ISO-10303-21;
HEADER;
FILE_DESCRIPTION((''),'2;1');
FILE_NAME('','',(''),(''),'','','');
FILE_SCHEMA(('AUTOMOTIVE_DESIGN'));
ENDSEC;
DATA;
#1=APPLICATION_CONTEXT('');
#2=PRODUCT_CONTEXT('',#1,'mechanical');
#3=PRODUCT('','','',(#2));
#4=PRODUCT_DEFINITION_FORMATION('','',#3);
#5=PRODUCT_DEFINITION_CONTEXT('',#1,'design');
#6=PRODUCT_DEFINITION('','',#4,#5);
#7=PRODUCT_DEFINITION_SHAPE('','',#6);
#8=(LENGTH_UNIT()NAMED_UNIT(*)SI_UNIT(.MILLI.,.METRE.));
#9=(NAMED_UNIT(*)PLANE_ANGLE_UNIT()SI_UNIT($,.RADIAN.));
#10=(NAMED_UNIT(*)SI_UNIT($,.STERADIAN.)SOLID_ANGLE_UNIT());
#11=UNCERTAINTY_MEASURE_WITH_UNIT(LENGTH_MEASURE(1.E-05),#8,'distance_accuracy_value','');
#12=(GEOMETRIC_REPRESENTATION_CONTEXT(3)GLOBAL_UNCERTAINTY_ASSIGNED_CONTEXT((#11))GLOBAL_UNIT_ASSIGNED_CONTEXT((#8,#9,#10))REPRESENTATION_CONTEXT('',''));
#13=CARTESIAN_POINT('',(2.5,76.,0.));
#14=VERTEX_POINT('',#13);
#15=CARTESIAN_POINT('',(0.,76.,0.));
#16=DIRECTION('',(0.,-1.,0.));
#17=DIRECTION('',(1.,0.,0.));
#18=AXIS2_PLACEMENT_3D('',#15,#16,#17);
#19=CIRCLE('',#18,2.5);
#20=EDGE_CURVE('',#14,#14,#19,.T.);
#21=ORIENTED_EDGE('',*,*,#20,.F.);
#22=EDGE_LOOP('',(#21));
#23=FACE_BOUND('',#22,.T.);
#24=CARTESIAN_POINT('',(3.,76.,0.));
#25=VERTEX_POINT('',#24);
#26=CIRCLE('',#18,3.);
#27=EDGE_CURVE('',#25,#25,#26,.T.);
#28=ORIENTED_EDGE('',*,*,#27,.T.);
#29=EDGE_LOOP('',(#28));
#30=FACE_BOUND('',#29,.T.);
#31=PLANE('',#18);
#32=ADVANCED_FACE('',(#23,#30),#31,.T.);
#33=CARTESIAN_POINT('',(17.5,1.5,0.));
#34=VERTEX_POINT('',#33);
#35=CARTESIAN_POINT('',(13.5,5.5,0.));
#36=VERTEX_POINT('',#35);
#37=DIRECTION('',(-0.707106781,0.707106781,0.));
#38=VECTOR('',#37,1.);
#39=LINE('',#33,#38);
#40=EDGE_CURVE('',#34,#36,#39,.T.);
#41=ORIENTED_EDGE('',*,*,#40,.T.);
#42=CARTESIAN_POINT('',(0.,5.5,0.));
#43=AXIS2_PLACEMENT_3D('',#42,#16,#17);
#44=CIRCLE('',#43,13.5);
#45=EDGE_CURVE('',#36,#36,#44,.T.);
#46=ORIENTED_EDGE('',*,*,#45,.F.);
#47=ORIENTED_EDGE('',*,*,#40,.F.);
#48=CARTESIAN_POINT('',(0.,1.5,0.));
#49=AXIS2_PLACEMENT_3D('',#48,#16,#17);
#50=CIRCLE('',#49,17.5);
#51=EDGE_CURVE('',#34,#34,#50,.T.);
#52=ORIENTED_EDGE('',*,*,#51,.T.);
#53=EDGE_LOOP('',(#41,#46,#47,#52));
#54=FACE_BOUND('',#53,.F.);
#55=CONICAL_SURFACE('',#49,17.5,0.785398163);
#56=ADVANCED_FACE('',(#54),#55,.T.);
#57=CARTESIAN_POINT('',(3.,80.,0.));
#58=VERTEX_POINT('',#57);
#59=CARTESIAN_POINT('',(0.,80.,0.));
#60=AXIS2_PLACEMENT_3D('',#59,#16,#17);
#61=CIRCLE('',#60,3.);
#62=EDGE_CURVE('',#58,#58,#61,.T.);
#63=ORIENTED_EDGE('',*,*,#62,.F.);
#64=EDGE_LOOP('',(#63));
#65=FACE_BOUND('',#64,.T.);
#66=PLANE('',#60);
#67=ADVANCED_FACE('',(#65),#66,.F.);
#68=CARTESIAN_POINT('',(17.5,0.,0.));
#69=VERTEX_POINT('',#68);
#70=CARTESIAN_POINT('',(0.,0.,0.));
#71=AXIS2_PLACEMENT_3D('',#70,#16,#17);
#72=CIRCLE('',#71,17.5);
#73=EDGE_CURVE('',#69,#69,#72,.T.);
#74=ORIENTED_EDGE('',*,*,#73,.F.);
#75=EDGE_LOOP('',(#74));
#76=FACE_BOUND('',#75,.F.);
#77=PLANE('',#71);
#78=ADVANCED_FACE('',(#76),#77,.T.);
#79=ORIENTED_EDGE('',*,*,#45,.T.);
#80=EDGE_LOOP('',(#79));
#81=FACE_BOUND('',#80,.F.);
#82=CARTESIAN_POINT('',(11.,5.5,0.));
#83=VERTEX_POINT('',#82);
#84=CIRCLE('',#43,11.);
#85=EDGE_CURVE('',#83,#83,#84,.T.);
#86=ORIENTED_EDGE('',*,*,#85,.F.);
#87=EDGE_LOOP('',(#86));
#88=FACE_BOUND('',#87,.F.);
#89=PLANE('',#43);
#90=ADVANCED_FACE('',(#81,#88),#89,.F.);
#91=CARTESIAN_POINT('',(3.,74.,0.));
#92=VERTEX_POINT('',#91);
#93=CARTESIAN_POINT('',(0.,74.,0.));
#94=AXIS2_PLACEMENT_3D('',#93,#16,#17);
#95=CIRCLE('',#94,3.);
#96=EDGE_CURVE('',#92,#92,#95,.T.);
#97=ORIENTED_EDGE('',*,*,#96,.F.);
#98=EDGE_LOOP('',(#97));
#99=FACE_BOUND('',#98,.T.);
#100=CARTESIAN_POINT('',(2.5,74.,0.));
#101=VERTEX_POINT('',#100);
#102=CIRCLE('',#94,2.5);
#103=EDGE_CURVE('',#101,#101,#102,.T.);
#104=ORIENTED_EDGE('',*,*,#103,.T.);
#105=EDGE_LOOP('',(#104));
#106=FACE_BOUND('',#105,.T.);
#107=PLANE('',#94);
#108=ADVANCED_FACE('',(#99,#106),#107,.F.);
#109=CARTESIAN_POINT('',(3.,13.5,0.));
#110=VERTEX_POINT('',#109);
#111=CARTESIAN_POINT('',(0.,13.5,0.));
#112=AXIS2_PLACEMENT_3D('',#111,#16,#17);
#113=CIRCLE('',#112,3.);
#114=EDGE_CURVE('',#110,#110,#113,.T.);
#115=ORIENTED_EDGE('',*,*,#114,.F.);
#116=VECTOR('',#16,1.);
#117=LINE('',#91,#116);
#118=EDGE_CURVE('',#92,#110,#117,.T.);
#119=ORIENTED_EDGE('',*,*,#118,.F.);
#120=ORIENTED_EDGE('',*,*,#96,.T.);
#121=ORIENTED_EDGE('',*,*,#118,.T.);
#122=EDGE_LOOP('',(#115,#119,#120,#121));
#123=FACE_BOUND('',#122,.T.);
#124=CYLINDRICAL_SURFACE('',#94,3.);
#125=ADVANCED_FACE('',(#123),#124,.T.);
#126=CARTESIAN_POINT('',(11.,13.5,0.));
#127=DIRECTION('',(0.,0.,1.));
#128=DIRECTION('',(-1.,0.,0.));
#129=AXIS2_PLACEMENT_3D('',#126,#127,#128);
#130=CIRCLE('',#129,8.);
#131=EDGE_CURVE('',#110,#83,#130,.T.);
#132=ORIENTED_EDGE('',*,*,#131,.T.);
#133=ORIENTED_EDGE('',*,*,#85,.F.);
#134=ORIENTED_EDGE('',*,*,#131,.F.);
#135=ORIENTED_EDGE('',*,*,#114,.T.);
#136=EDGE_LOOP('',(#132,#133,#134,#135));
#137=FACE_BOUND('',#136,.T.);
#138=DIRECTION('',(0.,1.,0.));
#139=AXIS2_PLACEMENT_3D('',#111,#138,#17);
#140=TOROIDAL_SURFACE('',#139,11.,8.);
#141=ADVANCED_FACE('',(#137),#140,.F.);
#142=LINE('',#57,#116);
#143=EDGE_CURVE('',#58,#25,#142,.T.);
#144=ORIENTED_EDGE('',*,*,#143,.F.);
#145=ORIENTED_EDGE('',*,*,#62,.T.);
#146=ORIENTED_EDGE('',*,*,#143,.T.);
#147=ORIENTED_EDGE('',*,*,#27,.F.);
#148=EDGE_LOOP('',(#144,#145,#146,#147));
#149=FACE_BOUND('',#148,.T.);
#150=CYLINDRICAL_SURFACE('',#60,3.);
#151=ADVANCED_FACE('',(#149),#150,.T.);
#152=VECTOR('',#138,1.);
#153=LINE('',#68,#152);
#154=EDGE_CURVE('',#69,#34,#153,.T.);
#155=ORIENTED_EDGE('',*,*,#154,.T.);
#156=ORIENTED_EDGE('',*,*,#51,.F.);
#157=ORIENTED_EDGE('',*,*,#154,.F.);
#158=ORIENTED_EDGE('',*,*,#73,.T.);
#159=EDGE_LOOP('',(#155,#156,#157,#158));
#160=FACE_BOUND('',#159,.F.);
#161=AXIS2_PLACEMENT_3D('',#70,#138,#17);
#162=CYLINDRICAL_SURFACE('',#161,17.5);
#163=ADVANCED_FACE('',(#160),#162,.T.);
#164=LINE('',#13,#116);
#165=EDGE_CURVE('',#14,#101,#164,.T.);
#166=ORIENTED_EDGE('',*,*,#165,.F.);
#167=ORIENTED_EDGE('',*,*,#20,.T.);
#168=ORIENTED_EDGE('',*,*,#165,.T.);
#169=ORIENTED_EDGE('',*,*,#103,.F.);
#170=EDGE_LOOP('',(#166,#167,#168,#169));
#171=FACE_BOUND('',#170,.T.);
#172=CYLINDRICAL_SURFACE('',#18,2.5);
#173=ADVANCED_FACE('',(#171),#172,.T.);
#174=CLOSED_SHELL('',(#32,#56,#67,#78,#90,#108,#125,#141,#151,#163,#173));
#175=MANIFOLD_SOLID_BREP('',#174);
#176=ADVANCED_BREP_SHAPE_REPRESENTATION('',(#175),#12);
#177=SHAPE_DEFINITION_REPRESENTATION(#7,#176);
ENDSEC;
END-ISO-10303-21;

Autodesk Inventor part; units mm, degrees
ref_plane "YZ Plane" through (0, 0, 0) normal (1, 0, 0) x (0, 1, 0)
ref_plane "XZ Plane" through (0, 0, 0) normal (0, 1, 0) x (-1, 0, 0)
ref_plane "XY Plane" through (0, 0, 0) normal (0, 0, 1) x (1, 0, 0)
sketch "Эскиз1" plane through (0, 0, 0) normal (0, 0, 1) x (1, 0, 0)
  line L0 (0, 0) -> (17.5, 0)
  line L1 (17.5, 0) -> (17.5, 1.5)
  line L2 (17.5, 1.5) -> (13.5, 5.5)
  line L3 (0, 80) -> (3, 80)
  line L4 (13.5, 5.5) -> (11, 5.5)
  arc A0 (3, 13.5) -> (11, 5.5) centre (11, 13.5) ccw
  line L5 (3, 80) -> (3, 76)
  line L6 (3, 76) -> (2.5, 76)
  line L7 (2.5, 76) -> (2.5, 74)
  line L8 (2.5, 74) -> (3, 74)
  line L9 (3, 80) -> (3, 76)
  line L10 (3, 74) -> (3, 13.5)
  line L11 (0, 80) -> (0, 0)
  dimension "d0" = 17.5
  dimension "d1" = 1.5
  dimension "d2" = 45
  dimension "d3" = 13.5
  dimension "d4" = 3
  dimension "d5" = 8
  dimension "d6" = 80
  dimension "d7" = 4
  dimension "d8" = 2
  dimension "d9" = 0.5
revolve "Вращение1" add sketch "Эскиз1" angle 360 about axis through (0, 80, 0) along (0, -1, 0)
properties part number "впускной клапан"
